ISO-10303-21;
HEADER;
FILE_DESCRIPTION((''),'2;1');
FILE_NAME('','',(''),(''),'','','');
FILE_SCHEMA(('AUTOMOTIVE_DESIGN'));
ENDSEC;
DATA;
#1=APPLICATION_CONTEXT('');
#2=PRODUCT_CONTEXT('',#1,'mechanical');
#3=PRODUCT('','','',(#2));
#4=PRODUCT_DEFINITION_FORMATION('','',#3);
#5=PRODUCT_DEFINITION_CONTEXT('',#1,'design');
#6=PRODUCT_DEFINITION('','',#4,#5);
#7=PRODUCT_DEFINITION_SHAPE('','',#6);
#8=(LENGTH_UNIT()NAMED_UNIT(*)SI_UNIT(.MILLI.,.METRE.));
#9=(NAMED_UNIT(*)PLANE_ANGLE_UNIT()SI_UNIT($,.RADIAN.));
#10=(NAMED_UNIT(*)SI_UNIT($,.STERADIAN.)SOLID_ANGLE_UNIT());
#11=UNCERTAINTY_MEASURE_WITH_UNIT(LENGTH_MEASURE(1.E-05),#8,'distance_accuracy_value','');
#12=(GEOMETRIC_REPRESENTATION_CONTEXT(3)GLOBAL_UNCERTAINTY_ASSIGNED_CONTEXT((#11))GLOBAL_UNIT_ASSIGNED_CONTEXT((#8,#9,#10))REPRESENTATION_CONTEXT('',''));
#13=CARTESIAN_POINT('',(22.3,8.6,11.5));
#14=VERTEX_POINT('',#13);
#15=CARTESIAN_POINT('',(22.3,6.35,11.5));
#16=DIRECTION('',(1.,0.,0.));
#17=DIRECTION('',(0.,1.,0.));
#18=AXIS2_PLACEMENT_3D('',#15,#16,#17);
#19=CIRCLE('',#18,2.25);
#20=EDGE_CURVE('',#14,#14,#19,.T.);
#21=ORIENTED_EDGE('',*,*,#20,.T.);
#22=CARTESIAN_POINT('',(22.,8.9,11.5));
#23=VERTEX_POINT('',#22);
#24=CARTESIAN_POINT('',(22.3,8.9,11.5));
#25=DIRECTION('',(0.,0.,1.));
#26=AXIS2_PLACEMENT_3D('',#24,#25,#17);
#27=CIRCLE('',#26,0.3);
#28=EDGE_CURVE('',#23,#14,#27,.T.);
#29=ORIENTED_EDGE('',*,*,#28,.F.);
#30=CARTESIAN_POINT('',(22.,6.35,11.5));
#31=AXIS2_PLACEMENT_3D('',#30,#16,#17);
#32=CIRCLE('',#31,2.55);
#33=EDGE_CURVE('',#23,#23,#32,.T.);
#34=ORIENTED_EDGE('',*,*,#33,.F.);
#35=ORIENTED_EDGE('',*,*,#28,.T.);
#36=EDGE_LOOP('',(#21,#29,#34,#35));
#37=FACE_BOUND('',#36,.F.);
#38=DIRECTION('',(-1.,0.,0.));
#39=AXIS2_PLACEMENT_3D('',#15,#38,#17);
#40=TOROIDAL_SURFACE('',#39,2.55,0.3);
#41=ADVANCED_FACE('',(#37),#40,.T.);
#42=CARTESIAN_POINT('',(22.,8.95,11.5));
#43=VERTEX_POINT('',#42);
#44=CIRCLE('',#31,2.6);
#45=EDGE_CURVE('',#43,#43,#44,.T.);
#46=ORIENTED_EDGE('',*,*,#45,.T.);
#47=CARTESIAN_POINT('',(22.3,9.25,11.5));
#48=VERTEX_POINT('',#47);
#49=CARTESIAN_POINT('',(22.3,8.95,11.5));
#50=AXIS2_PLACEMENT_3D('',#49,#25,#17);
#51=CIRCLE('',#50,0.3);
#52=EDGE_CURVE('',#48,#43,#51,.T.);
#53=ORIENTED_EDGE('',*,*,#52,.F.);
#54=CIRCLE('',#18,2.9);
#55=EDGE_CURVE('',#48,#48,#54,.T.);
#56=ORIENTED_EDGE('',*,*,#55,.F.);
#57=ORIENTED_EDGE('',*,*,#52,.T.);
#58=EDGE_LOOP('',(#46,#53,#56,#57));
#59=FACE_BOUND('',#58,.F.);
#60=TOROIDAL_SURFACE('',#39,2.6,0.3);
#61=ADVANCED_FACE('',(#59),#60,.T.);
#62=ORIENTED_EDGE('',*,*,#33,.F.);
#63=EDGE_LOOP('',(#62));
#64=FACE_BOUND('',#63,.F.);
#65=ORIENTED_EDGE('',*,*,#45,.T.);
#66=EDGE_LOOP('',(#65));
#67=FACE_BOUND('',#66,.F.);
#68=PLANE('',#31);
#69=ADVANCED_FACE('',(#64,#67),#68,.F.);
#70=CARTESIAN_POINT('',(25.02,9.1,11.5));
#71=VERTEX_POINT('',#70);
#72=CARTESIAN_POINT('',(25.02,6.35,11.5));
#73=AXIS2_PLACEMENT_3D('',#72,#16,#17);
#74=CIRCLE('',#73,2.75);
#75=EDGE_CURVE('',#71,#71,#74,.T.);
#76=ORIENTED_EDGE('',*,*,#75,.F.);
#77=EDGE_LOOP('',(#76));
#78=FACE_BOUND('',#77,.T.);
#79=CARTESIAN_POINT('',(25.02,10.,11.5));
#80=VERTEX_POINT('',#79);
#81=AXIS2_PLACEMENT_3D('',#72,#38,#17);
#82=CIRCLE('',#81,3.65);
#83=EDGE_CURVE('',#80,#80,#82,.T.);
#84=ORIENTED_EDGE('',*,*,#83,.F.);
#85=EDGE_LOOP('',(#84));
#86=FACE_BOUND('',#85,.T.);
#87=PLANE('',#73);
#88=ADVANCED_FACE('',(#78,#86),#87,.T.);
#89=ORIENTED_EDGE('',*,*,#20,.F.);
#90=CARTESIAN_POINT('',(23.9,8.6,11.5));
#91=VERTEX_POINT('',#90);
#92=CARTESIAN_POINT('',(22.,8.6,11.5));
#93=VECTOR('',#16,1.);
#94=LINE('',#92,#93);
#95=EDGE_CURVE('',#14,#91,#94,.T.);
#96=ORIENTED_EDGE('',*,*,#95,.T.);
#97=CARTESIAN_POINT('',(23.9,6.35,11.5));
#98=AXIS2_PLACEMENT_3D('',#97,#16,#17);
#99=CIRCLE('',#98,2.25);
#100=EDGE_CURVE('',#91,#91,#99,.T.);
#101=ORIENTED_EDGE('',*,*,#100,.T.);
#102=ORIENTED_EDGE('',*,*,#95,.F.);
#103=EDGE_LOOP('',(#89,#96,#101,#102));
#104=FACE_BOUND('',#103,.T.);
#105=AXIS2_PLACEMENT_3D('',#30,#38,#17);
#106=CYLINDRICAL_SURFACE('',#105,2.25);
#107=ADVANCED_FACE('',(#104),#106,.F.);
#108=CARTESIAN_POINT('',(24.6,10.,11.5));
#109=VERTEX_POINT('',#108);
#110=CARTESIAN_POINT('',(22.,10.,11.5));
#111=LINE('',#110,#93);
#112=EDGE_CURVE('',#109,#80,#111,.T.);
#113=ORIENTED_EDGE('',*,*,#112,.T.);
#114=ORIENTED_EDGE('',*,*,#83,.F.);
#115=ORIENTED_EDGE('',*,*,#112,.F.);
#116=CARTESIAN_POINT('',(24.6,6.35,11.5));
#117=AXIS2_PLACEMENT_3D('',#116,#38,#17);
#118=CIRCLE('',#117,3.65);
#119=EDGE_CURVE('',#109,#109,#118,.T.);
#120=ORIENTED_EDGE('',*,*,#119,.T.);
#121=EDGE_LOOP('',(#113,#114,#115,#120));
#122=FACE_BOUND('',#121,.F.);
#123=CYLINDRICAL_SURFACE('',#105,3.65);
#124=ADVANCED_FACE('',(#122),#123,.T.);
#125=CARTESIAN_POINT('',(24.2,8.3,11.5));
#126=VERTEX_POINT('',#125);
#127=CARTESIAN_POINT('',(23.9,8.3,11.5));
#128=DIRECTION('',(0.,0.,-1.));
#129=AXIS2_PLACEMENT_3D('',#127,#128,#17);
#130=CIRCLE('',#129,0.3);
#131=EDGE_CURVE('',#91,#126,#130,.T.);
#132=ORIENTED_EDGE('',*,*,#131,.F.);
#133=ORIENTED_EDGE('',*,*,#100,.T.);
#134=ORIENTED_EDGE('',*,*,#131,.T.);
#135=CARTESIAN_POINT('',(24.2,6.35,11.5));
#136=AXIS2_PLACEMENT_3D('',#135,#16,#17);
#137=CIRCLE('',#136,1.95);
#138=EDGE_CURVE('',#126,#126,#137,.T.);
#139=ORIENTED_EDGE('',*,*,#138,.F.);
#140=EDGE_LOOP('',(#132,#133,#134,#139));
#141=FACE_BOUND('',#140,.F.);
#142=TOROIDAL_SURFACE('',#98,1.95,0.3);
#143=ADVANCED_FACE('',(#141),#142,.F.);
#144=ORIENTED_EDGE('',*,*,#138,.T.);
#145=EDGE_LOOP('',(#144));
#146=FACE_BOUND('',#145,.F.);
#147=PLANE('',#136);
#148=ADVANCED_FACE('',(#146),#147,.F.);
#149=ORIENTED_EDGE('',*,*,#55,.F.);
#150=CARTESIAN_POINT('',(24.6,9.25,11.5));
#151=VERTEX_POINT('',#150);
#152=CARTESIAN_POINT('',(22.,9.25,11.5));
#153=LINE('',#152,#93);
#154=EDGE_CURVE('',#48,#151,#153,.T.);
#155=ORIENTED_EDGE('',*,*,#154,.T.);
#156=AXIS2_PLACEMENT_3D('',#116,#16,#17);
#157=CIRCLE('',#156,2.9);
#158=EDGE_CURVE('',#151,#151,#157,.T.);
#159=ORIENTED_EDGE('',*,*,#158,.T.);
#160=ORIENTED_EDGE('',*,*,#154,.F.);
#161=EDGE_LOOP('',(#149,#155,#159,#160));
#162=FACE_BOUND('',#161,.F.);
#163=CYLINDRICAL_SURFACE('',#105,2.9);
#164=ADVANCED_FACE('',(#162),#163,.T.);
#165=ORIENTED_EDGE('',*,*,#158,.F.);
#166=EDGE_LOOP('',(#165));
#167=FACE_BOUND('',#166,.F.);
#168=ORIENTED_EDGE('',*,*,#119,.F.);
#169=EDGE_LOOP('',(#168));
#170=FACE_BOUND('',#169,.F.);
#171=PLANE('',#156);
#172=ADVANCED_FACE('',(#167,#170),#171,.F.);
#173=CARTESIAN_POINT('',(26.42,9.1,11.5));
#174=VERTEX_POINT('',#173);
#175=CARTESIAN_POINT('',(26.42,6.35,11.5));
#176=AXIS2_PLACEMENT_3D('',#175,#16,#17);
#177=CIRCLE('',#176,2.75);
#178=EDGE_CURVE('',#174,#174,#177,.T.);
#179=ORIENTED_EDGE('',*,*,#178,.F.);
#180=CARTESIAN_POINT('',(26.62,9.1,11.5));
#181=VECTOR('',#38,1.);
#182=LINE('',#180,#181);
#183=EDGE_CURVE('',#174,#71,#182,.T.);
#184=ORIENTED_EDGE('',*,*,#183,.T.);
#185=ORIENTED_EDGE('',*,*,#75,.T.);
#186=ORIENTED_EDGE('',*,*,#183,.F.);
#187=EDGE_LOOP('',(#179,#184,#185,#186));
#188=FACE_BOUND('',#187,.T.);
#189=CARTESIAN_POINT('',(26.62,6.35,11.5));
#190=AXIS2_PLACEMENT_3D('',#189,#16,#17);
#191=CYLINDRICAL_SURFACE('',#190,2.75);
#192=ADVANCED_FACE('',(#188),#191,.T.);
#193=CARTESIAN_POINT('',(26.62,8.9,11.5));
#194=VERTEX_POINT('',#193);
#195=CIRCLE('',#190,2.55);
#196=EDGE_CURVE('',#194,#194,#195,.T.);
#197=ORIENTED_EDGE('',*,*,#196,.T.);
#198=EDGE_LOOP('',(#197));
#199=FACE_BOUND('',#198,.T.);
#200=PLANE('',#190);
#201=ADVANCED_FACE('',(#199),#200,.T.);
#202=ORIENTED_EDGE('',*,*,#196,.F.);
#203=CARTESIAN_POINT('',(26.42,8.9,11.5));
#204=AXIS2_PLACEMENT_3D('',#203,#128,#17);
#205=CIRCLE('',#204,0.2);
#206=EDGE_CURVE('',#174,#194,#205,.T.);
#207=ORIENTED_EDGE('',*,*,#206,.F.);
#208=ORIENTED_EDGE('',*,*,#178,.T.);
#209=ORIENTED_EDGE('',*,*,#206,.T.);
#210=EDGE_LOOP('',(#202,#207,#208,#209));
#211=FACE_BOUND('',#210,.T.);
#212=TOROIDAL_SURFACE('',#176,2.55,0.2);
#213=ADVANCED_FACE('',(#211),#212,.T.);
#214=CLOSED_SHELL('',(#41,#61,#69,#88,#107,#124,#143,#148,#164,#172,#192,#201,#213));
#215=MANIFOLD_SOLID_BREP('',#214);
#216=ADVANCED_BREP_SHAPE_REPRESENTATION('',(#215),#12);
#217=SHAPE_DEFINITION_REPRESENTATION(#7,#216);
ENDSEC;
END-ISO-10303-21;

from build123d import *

# Parameters (mm, degrees)
SKETCH013_R     = 3.65
PAD006_DEPTH    = 4.62
SKETCH014_R     = 2.25
POCKET007_DEPTH = 2.2
SKETCH015_R     = 4.5
SKETCH015_R_2   = 2.9
POCKET008_DEPTH = 2.6
SKETCH016_R     = 4.5
SKETCH016_R_2   = 2.75
POCKET009_DEPTH = 1.6
FILLET004_R     = 0.2
FILLET005_R     = 0.3
FILLET006_R     = 0.3


with BuildPart() as part:
    # Sketch013 → Pad006 (new body)
    with BuildSketch(Plane.YZ):
        Circle(SKETCH013_R)
    extrude(amount=PAD006_DEPTH)

    # Sketch014 → Pocket007 (cut)
    with BuildSketch(Plane.YZ):
        Circle(SKETCH014_R)
    extrude(amount=POCKET007_DEPTH, mode=Mode.SUBTRACT)

    # Sketch015 → Pocket008 (cut)
    with BuildSketch(Plane.YZ):
        Circle(SKETCH015_R)
        Circle(SKETCH015_R_2, mode=Mode.SUBTRACT)
    extrude(amount=POCKET008_DEPTH, mode=Mode.SUBTRACT)

    # Sketch016 (on Face3 of Pocket008) → Pocket009 (cut)
    with BuildSketch(Plane.YZ.offset(4.62)):
        Circle(SKETCH016_R)
        Circle(SKETCH016_R_2, mode=Mode.SUBTRACT)
    extrude(amount=-POCKET009_DEPTH, mode=Mode.SUBTRACT)

    # Fillet004
    fillet004_edges = [part.edges().sort_by_distance(p)[0] for p in [
        (4.62, -2.75, 0),
    ]]
    fillet(fillet004_edges, radius=FILLET004_R)

    # Fillet005
    fillet005_edges = [part.edges().sort_by_distance(p)[0] for p in [
        (0, -2.25, 0),
        (0, -2.9, 0),
    ]]
    fillet(fillet005_edges, radius=FILLET005_R)

    # Fillet006
    fillet006_edges = [part.edges().sort_by_distance(p)[0] for p in [
        (2.2, -2.25, 0),
    ]]
    fillet(fillet006_edges, radius=FILLET006_R)


with BuildPart() as part_1:
    # Body002 placement: moved
    add(part.part.moved(Location((22, 6.35, 11.5))))


solid = part_1.part
